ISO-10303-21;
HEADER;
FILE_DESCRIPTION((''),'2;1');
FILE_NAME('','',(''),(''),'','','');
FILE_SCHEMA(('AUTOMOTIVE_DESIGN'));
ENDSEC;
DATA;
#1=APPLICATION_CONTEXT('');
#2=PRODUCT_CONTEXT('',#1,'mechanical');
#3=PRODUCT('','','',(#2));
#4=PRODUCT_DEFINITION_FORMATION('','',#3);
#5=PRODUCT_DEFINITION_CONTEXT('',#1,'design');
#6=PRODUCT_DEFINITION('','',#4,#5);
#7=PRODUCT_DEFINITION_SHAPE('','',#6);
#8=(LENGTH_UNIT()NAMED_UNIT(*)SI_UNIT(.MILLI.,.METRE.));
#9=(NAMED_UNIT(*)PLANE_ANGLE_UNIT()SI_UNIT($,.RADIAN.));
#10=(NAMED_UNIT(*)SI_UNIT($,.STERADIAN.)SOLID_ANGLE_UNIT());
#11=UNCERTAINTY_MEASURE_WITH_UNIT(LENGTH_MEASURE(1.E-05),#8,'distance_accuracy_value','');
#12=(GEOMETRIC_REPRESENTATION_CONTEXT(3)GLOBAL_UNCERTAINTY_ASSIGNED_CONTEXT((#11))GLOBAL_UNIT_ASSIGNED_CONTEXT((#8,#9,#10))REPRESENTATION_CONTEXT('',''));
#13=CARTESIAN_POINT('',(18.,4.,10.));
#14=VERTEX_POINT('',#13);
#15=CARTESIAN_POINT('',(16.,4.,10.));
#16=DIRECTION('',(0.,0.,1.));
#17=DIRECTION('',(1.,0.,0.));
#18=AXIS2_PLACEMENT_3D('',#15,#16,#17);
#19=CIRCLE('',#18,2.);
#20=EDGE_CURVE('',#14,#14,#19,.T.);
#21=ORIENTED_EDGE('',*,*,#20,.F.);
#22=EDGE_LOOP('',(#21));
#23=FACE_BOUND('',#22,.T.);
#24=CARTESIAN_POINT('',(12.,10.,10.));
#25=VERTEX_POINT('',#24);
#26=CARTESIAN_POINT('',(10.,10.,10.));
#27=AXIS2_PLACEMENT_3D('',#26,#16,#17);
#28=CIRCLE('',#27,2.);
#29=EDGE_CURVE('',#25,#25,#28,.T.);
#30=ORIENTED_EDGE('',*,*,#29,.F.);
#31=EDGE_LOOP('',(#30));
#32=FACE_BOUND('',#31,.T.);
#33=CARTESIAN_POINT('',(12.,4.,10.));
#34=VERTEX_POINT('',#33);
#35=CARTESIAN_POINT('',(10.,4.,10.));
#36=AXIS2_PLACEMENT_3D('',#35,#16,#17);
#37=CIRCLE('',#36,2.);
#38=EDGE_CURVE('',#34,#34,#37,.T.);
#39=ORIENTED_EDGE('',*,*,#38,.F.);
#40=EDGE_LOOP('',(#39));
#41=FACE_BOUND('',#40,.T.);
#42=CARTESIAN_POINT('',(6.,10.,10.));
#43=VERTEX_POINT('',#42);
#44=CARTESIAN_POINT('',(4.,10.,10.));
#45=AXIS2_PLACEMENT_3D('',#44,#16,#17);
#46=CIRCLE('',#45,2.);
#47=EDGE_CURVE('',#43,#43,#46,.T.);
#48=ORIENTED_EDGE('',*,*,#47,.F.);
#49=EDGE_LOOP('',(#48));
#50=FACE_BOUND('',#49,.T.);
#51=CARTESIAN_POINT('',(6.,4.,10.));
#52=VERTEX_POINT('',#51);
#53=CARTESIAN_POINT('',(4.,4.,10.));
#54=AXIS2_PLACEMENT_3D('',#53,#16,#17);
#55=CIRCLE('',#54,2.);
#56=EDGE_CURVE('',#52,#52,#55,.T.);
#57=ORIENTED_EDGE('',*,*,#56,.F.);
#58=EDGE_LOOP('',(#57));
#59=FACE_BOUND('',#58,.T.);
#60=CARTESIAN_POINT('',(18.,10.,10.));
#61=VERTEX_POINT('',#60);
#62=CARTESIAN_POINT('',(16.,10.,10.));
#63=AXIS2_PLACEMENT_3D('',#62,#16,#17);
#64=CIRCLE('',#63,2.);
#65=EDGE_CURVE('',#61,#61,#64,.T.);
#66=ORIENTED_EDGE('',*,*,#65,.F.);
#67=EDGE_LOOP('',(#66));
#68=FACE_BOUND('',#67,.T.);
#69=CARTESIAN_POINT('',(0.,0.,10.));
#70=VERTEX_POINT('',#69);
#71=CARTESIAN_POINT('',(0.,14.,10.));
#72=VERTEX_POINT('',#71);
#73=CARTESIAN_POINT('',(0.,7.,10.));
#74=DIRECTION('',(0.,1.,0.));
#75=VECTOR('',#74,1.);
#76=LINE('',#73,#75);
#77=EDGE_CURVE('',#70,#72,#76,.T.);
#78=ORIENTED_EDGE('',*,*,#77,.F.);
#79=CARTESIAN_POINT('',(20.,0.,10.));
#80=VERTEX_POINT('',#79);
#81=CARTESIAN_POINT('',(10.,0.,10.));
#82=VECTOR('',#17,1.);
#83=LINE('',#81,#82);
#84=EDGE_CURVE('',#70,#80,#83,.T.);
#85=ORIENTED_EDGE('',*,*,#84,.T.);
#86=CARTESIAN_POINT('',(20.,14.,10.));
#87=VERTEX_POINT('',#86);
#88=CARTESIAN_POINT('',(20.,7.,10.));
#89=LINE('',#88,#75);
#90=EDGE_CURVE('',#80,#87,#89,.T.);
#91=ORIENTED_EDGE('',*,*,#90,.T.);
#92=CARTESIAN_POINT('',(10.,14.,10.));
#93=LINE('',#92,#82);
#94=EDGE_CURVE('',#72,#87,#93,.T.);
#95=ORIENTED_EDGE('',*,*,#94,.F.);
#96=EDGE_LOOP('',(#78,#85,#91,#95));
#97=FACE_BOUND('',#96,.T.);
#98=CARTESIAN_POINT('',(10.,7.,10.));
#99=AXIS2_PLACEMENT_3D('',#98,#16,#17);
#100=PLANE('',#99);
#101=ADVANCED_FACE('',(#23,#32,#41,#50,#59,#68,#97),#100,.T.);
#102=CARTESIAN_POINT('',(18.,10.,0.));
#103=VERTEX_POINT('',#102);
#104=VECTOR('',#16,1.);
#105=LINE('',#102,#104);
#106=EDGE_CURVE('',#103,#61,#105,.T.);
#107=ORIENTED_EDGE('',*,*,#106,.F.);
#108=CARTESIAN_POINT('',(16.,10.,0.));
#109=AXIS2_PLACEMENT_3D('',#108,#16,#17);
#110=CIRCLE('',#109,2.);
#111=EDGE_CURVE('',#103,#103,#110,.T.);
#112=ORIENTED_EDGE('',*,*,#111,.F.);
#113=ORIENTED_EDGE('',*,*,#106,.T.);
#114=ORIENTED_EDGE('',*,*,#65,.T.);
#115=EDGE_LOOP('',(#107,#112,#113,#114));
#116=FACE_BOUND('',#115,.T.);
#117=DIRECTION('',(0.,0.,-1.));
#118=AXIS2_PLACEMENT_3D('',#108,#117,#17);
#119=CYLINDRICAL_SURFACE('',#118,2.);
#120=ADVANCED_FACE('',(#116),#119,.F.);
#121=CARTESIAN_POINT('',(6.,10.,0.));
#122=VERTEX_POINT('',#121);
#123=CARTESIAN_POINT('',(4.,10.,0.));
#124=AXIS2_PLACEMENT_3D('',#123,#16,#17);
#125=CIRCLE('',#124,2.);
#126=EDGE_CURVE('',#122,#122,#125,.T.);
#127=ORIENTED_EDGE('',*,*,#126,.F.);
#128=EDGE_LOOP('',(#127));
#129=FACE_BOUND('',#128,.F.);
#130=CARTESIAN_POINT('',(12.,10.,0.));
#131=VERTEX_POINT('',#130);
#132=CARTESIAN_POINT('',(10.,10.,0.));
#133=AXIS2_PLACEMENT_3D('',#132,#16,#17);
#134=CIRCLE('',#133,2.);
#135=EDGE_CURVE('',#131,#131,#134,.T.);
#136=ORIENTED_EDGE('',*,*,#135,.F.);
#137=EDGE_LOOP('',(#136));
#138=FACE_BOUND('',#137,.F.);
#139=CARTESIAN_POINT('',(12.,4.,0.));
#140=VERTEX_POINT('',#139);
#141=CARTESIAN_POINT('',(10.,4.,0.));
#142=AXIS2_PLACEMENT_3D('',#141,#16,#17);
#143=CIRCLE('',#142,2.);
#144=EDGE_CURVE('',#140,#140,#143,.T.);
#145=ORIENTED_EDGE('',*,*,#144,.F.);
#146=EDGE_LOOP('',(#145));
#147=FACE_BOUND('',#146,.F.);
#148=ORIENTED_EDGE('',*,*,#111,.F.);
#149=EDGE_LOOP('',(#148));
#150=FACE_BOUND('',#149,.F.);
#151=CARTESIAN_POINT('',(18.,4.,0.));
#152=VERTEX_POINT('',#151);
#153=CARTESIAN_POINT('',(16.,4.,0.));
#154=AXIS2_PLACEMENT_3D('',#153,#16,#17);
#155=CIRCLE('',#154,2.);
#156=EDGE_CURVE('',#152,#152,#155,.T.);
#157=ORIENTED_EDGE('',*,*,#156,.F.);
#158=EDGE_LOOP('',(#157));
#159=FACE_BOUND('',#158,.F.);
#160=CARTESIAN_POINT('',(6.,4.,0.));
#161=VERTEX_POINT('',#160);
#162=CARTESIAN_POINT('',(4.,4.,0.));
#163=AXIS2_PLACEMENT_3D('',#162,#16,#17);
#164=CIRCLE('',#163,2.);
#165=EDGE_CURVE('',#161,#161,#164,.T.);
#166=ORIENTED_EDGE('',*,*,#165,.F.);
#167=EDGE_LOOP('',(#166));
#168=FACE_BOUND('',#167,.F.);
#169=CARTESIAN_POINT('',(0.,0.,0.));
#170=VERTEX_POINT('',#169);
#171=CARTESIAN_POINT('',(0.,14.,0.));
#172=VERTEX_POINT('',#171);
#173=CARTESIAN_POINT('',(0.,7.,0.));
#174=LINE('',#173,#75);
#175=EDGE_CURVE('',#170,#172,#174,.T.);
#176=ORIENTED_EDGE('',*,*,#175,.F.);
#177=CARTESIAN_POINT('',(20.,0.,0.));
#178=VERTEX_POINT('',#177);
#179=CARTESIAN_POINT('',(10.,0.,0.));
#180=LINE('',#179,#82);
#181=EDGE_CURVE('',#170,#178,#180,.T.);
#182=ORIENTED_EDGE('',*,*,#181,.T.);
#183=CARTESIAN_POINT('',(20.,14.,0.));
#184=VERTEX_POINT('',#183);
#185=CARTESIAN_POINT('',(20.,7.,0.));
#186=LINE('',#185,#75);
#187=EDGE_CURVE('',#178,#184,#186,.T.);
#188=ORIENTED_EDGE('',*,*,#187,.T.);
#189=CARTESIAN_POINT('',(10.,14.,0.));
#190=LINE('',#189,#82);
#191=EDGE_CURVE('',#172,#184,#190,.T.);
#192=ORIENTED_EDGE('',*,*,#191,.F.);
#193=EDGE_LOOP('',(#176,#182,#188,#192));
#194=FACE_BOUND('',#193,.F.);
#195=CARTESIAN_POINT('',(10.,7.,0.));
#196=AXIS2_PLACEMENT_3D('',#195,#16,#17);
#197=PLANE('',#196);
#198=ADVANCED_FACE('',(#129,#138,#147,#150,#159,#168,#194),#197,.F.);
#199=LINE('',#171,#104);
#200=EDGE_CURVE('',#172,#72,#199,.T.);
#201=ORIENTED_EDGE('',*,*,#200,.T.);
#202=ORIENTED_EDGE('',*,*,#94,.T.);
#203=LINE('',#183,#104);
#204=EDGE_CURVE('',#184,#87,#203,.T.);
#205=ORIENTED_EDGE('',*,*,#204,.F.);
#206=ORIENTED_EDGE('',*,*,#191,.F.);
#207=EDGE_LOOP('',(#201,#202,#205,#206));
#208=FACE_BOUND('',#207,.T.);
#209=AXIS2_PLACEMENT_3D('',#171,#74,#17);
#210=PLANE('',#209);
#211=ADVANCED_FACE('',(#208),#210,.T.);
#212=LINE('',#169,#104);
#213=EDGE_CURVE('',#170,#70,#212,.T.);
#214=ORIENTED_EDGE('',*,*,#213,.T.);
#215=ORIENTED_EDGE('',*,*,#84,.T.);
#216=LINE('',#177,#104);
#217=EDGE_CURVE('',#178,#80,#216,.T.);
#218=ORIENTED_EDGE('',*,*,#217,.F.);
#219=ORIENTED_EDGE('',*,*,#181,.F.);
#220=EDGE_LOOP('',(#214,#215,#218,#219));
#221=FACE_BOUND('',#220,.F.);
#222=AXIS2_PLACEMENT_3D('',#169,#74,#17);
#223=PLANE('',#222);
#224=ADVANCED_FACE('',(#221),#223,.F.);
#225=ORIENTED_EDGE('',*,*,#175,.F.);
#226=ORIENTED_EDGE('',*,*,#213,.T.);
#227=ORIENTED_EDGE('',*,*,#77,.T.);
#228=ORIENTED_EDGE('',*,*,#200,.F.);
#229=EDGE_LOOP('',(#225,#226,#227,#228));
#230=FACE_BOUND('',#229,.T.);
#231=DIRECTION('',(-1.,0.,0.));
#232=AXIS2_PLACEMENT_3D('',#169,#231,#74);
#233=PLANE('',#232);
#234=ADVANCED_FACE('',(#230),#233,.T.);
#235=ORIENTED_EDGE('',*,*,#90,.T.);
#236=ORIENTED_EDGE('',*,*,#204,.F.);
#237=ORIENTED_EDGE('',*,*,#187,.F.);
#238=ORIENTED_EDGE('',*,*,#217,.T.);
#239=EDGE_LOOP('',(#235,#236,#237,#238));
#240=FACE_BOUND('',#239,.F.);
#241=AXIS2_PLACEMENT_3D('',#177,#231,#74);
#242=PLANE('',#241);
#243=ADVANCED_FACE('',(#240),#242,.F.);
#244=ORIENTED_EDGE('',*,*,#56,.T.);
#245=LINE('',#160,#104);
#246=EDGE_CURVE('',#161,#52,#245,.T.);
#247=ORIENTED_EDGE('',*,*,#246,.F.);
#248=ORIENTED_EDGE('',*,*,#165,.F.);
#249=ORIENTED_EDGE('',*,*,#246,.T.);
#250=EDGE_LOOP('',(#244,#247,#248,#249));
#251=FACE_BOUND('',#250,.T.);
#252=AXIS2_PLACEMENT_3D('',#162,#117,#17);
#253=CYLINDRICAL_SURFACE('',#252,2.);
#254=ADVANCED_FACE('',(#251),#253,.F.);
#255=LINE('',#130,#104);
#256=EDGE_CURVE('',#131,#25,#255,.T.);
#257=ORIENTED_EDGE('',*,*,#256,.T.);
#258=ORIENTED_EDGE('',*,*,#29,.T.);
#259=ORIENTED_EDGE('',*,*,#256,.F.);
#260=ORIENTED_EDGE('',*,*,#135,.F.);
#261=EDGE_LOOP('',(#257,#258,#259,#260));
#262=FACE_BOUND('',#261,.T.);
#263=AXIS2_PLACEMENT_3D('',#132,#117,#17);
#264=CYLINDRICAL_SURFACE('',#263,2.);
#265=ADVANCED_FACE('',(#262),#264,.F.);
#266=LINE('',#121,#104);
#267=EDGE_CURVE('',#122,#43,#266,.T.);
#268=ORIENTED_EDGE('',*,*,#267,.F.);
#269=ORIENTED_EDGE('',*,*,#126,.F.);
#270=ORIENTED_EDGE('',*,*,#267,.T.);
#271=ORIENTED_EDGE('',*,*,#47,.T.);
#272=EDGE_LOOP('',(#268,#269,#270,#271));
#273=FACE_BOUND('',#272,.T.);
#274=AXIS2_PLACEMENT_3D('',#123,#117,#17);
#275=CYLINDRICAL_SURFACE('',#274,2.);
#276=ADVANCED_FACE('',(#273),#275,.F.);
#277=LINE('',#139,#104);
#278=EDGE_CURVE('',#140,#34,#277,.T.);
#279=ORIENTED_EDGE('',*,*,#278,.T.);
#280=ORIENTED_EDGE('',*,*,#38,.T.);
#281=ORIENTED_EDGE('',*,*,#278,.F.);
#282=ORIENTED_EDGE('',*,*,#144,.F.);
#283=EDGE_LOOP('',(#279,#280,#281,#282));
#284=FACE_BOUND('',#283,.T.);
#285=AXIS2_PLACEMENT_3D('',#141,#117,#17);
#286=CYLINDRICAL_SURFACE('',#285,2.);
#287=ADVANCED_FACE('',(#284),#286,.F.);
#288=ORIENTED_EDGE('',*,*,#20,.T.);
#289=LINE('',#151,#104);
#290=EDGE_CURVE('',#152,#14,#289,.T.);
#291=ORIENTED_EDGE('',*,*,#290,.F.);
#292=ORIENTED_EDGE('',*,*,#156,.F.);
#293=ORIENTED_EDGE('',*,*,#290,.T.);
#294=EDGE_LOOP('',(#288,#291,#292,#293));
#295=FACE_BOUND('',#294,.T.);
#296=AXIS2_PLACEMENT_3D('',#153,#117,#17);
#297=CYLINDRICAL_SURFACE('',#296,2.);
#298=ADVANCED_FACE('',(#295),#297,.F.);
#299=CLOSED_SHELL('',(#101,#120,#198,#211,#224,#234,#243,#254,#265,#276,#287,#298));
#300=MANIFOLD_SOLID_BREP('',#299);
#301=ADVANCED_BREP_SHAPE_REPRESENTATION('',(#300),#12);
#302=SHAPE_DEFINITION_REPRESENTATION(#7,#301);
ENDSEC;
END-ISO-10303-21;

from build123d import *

# Parameters (mm, degrees)
CYLINDER005_R     = 2
CYLINDER005_DEPTH = 10
CYLINDER004_R     = 2
CYLINDER004_DEPTH = 10
CYLINDER003_R     = 2
CYLINDER003_DEPTH = 10
CYLINDER002_R     = 2
CYLINDER002_DEPTH = 10
CYLINDER001_R     = 2
CYLINDER001_DEPTH = 10
CYLINDER_R        = 2
CYLINDER_DEPTH    = 10
BOX_W             = 20
BOX_H             = 14
BOX_DEPTH         = 10


with BuildPart() as cilindro005:
    # Cylinder005 → Cylinder005 (new body)
    with BuildSketch(Plane(origin=(16, 10, 0), x_dir=(1, 0, 0), z_dir=(0, 0, 1))):
        Circle(CYLINDER005_R)
    extrude(amount=CYLINDER005_DEPTH)


with BuildPart() as cilindro004:
    # Cylinder004 → Cylinder004 (new body)
    with BuildSketch(Plane(origin=(16, 4, 0), x_dir=(1, 0, 0), z_dir=(0, 0, 1))):
        Circle(CYLINDER004_R)
    extrude(amount=CYLINDER004_DEPTH)


with BuildPart() as cilindro003:
    # Cylinder003 → Cylinder003 (new body)
    with BuildSketch(Plane(origin=(10, 10, 0), x_dir=(1, 0, 0), z_dir=(0, 0, 1))):
        Circle(CYLINDER003_R)
    extrude(amount=CYLINDER003_DEPTH)


with BuildPart() as cilindro002:
    # Cylinder002 → Cylinder002 (new body)
    with BuildSketch(Plane(origin=(10, 4, 0), x_dir=(1, 0, 0), z_dir=(0, 0, 1))):
        Circle(CYLINDER002_R)
    extrude(amount=CYLINDER002_DEPTH)


with BuildPart() as cilindro001:
    # Cylinder001 → Cylinder001 (new body)
    with BuildSketch(Plane(origin=(4, 10, 0), x_dir=(1, 0, 0), z_dir=(0, 0, 1))):
        Circle(CYLINDER001_R)
    extrude(amount=CYLINDER001_DEPTH)


with BuildPart() as cilindro:
    # Cylinder → Cylinder (new body)
    with BuildSketch(Plane(origin=(4, 4, 0), x_dir=(1, 0, 0), z_dir=(0, 0, 1))):
        Circle(CYLINDER_R)
    extrude(amount=CYLINDER_DEPTH)


with BuildPart() as cut005:
    # Box → Box (new body)
    with BuildSketch(Plane.XY):
        with Locations((10, 7)):
            Rectangle(BOX_W, BOX_H)
    extrude(amount=BOX_DEPTH)

    # Cut: cut Cilindro
    add(cilindro.part, mode=Mode.SUBTRACT)

    # Cut001: cut Cilindro001
    add(cilindro001.part, mode=Mode.SUBTRACT)

    # Cut002: cut Cilindro002
    add(cilindro002.part, mode=Mode.SUBTRACT)

    # Cut003: cut Cilindro003
    add(cilindro003.part, mode=Mode.SUBTRACT)

    # Cut004: cut Cilindro004
    add(cilindro004.part, mode=Mode.SUBTRACT)

    # Cut005: cut Cilindro005
    add(cilindro005.part, mode=Mode.SUBTRACT)


solid = cut005.part
